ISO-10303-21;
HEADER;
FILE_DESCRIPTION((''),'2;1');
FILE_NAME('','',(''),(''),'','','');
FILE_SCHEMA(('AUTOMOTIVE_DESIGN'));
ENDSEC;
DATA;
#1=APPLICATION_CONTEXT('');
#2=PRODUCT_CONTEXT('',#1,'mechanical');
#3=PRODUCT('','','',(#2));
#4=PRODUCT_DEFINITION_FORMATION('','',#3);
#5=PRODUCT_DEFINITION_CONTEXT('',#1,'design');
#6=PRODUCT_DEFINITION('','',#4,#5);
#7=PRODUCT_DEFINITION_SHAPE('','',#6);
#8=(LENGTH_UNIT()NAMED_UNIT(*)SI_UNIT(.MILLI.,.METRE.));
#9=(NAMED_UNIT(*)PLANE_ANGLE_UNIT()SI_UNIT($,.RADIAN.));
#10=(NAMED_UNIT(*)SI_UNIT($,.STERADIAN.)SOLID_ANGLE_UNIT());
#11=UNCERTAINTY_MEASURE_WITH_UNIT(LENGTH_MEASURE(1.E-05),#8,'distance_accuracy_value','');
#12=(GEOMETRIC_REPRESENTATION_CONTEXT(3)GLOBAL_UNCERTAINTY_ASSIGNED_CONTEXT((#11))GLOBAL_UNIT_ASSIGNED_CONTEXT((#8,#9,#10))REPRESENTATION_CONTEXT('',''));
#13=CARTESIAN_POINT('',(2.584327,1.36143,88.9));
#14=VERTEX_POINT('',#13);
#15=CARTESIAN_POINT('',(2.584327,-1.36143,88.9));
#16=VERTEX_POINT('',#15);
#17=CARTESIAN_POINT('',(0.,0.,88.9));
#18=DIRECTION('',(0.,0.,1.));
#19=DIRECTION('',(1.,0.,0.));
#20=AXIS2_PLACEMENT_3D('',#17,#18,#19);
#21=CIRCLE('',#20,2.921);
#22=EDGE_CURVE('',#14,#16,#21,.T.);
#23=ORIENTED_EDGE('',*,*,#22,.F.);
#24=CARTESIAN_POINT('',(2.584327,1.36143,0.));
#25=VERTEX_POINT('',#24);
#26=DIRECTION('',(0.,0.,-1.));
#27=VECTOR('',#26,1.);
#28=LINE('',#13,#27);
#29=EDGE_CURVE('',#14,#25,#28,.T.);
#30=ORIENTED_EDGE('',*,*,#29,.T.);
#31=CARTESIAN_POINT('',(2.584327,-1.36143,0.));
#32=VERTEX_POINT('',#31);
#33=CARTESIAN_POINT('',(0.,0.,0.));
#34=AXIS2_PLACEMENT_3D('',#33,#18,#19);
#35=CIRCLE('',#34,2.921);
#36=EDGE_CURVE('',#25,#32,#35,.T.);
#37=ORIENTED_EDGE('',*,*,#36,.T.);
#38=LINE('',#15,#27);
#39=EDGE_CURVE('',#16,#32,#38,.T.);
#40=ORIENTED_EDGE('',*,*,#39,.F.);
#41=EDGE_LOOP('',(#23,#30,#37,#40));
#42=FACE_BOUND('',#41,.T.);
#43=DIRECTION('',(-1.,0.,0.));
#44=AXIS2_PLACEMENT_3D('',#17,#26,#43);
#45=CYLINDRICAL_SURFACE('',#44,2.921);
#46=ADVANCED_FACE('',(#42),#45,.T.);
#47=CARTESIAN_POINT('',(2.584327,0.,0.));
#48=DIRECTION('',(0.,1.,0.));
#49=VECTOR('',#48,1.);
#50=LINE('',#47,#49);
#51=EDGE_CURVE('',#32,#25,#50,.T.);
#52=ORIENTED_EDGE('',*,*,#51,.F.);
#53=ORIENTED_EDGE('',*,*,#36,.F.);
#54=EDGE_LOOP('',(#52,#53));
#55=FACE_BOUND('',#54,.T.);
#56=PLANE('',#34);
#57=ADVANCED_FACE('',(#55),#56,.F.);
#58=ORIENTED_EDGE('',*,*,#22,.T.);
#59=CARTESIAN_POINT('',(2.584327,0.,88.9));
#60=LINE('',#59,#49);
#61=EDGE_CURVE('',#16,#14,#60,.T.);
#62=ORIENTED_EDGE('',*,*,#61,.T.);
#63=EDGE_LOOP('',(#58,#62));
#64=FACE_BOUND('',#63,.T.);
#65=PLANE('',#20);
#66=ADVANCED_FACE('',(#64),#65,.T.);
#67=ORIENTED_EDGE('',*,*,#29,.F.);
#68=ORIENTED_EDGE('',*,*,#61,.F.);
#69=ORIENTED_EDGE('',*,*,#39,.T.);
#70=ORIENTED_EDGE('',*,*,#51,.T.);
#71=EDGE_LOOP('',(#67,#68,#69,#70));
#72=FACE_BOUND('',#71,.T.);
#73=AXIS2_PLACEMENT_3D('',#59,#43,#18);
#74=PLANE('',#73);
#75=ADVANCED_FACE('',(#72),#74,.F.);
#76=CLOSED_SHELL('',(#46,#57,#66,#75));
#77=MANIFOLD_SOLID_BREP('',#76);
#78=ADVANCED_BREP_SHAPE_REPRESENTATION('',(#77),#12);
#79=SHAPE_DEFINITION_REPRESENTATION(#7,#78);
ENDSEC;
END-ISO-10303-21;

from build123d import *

# Parameters (mm, degrees)
BOSS_EXTRUDE2_DEPTH = 88.9


with BuildPart() as part:
    # Sketch2 → Boss-Extrude2 (new body)
    with BuildSketch(Plane.XY):
        with BuildLine():
            ThreePointArc((2.584327422, 1.361430415), (-2.921, 0), (2.584327422, -1.361430415))
            Line((2.584327422, -1.361430415), (2.584327422, 1.361430415))
        make_face()
    extrude(amount=BOSS_EXTRUDE2_DEPTH)


solid = part.part
